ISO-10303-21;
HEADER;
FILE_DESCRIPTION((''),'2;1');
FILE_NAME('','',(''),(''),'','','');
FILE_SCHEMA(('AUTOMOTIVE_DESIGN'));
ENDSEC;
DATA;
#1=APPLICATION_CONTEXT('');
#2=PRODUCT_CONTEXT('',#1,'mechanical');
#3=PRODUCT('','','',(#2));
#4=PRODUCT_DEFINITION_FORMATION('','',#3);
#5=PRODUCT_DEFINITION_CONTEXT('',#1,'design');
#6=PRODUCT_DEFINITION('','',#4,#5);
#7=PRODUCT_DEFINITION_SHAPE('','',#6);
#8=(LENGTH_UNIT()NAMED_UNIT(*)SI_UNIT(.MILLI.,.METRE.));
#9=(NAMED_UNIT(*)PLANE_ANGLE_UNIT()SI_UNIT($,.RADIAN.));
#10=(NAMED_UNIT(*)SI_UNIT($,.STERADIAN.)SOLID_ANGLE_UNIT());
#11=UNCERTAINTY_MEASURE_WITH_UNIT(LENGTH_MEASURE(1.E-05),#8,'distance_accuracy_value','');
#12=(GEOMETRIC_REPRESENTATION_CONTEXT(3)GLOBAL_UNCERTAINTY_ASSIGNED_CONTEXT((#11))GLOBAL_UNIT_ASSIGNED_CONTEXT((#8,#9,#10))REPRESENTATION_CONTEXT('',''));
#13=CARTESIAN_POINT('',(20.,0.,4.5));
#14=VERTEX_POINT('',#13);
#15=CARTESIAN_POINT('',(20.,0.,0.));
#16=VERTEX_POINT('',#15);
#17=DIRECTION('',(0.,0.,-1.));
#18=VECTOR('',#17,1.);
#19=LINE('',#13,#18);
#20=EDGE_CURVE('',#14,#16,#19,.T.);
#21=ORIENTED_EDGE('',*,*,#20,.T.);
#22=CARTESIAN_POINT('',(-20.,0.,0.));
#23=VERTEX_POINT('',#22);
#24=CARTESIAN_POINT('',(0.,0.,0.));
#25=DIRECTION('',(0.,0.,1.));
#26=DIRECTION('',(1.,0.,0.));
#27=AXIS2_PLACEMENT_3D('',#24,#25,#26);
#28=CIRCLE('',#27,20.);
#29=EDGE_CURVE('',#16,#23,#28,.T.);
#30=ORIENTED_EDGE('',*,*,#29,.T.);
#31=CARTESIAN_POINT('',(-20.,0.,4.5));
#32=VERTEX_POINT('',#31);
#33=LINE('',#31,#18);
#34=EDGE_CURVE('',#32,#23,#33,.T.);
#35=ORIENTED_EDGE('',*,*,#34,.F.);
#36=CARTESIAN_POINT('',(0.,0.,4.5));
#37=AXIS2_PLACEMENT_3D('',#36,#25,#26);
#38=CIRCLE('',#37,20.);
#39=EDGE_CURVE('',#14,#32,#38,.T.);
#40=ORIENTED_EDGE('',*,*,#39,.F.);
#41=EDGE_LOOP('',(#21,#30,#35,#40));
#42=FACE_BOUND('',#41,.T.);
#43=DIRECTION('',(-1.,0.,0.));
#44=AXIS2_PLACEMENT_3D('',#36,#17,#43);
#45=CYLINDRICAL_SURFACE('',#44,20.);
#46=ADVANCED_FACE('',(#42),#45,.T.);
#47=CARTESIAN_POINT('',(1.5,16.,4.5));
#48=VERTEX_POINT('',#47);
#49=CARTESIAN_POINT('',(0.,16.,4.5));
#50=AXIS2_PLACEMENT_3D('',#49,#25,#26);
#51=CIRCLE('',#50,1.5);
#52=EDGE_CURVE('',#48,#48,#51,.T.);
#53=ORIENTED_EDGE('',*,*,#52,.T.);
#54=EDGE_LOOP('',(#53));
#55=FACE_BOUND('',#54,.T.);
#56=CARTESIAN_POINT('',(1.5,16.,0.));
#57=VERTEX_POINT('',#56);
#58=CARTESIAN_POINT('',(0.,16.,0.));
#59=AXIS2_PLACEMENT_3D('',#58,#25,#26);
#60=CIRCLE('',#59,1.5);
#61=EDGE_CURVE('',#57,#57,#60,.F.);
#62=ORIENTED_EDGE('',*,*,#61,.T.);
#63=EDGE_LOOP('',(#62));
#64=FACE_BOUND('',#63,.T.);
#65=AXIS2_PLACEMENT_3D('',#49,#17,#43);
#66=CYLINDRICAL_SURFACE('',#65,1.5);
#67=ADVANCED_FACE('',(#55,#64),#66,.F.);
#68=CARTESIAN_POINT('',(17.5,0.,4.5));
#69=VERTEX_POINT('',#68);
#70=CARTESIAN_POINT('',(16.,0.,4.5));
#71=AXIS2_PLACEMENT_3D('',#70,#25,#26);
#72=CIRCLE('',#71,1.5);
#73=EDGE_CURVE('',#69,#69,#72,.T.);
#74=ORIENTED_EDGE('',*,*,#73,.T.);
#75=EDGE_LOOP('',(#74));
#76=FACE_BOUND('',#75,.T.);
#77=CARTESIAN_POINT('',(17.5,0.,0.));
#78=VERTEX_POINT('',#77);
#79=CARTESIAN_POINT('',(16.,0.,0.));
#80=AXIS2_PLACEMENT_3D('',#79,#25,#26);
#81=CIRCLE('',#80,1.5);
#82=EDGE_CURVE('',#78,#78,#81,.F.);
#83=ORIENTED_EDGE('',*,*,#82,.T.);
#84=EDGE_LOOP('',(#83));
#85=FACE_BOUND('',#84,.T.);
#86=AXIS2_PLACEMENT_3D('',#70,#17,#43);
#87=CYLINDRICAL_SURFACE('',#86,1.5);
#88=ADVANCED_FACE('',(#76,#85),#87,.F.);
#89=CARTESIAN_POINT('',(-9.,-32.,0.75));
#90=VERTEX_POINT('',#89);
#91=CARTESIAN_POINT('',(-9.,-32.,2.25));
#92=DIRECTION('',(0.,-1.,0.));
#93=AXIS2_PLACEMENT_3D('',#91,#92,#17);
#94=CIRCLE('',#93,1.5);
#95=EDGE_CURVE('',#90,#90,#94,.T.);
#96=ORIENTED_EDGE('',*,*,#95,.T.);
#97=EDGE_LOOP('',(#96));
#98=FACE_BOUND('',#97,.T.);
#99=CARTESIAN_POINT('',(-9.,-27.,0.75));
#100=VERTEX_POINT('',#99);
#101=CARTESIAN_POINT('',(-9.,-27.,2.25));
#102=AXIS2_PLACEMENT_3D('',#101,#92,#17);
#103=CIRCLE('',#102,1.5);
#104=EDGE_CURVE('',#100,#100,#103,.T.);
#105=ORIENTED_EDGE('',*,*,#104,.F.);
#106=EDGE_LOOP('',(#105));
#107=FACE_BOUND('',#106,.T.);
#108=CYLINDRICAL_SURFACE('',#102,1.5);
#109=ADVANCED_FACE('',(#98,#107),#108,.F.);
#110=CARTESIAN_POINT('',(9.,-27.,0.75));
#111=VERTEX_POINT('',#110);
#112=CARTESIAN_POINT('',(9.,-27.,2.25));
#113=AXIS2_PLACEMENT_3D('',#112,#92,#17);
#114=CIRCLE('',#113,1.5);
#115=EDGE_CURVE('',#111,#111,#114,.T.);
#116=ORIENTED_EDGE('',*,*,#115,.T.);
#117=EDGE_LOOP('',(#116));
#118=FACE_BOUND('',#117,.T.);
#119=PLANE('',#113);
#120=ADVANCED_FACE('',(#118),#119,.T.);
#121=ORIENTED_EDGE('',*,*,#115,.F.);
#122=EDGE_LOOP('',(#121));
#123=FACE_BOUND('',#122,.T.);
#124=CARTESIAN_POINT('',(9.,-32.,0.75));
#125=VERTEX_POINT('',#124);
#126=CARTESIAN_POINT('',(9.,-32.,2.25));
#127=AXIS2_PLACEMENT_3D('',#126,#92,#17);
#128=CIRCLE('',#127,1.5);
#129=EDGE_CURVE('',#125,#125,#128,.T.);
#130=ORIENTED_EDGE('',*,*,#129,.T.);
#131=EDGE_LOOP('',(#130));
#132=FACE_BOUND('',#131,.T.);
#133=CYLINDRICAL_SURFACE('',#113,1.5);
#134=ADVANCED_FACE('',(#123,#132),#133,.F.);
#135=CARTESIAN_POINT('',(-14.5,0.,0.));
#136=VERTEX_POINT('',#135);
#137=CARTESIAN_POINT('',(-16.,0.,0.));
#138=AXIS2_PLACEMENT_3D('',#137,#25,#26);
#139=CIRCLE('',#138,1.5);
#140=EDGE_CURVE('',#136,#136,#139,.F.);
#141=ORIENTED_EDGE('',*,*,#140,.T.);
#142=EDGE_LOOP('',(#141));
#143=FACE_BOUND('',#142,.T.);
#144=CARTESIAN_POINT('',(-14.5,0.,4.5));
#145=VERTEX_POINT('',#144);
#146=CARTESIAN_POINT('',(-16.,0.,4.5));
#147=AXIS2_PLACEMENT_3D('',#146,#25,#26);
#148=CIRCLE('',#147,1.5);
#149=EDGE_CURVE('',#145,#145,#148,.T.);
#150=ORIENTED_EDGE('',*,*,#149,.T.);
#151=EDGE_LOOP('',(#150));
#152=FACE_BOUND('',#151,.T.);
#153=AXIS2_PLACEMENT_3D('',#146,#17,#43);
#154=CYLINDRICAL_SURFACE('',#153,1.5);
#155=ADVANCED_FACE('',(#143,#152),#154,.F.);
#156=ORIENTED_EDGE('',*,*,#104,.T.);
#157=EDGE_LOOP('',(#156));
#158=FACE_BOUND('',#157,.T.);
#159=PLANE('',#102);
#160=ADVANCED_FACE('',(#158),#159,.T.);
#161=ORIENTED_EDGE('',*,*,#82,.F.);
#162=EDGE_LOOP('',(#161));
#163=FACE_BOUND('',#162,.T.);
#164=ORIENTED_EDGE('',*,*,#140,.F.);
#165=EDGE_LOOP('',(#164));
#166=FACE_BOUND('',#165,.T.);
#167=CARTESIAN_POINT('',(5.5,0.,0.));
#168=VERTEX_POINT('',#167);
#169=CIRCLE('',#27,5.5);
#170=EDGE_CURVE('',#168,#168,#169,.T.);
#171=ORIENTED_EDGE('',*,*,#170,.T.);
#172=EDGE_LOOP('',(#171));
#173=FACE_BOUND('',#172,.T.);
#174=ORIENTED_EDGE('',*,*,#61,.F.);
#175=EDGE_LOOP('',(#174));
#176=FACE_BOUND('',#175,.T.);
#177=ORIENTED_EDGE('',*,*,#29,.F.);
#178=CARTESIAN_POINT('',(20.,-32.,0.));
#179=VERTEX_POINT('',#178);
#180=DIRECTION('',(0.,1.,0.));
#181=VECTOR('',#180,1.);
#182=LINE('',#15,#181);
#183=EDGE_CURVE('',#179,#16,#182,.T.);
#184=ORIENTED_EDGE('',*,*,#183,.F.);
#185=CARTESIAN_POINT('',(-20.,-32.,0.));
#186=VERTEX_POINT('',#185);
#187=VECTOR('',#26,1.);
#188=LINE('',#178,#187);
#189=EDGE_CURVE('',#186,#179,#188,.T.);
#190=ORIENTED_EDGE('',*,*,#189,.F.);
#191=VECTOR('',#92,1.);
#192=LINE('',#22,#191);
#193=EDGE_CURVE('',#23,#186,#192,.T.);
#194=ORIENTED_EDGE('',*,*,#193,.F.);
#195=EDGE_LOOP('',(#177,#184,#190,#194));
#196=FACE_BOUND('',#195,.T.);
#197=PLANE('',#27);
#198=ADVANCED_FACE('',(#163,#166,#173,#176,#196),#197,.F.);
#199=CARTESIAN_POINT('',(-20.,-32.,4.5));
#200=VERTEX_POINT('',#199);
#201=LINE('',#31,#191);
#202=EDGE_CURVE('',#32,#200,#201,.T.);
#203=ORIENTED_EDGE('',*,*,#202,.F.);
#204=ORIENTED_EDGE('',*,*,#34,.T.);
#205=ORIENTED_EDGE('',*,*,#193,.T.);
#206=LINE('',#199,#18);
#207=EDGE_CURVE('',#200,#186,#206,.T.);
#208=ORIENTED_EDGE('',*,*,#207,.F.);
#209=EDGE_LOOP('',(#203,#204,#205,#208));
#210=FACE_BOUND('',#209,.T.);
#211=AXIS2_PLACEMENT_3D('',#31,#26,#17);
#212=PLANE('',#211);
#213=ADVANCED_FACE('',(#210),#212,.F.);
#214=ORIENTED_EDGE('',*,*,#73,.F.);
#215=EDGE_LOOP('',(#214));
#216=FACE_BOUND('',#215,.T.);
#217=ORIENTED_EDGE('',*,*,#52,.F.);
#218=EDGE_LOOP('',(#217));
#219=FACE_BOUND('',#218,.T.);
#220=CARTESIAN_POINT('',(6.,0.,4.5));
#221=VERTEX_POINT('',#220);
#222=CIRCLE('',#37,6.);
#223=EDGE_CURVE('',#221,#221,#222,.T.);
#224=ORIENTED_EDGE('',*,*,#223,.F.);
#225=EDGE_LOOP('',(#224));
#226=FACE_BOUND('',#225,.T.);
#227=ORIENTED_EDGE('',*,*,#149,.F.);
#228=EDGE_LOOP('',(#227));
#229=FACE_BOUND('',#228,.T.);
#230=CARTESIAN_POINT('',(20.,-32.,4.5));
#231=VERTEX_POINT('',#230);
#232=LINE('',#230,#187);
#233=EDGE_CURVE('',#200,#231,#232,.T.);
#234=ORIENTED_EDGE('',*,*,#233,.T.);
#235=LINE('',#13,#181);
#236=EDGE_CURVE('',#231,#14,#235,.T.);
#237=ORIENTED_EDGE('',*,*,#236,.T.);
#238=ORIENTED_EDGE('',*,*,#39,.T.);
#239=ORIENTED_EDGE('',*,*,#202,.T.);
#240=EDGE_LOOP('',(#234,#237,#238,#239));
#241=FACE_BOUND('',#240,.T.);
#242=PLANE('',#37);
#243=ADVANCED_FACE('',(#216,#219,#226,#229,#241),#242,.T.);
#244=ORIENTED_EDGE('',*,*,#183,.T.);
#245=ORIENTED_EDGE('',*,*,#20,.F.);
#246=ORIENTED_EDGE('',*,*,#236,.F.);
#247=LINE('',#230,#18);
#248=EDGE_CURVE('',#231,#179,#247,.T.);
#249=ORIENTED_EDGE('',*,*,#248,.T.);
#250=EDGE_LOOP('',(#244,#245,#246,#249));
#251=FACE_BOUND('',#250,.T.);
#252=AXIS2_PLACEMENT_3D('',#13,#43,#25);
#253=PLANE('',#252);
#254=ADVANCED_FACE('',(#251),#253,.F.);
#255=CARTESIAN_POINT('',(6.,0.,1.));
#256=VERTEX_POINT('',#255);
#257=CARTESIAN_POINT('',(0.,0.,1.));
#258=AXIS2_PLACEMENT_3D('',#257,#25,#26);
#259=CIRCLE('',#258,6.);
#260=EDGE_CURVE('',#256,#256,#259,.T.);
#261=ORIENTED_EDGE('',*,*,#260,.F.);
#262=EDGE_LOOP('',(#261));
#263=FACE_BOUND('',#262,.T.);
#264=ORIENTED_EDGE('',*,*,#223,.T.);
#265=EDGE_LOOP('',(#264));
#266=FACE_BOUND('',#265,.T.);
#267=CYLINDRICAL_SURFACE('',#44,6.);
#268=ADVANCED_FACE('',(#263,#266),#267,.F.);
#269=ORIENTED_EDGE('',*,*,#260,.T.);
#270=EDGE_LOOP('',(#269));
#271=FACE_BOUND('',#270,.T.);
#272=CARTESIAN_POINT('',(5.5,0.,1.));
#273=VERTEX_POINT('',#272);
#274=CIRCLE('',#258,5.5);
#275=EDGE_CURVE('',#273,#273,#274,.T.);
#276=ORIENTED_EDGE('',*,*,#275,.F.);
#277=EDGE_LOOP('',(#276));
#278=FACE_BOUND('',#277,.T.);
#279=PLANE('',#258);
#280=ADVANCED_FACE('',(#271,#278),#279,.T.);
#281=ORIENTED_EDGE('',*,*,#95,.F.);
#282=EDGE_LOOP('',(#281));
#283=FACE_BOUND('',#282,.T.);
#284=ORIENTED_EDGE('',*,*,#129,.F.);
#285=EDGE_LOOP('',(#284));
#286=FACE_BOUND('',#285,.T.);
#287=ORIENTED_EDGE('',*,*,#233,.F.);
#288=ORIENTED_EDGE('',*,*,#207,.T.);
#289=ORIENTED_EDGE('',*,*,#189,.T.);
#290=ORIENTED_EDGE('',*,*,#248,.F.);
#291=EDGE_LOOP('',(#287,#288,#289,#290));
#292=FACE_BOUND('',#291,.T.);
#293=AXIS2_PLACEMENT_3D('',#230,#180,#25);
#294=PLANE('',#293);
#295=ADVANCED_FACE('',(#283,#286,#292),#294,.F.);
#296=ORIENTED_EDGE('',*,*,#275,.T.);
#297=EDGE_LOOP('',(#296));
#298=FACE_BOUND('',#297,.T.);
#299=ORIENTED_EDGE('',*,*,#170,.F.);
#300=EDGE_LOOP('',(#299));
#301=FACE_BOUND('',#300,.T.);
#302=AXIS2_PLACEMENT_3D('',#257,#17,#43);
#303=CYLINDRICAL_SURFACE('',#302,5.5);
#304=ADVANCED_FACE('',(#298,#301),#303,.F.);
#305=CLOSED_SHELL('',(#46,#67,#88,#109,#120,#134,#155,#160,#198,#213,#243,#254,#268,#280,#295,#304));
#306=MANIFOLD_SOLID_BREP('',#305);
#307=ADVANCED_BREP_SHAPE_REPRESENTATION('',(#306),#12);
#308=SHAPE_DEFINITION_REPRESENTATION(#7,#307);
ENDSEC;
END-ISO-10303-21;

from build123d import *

# Parameters (mm, degrees)
SKETCH_1_R               = 6
EXTRUDE_1_DEPTH          = 4.5
SKETCH_3_R               = 6
SKETCH_3_R_2             = 5.5
EXTRUDE_2_DEPTH          = 1
CUT_EXTRUDE_3_DEPTH      = 39.003289331
CUT_EXTRUDE_3_DEPTH_BACK = 39.003289331
SKETCH_5_R               = 1.5
SKETCH_6_R               = 1.5
CUT_EXTRUDE_4_DEPTH      = 5


with BuildPart() as part:
    # 草图1 → 凸台-拉伸1 (new body)
    with BuildSketch(Plane.XY):
        with BuildLine():
            Line((-20, 0), (-20, -32))
            Line((-20, -32), (20, -32))
            Line((20, -32), (20, 0))
            ThreePointArc((20, 0), (0, 20), (-20, 0))
        make_face()
        Circle(SKETCH_1_R, mode=Mode.SUBTRACT)
    extrude(amount=EXTRUDE_1_DEPTH)

    # 草图3 → 凸台-拉伸2 (add)
    with BuildSketch(Plane.XY):
        Circle(SKETCH_3_R)
        Circle(SKETCH_3_R_2, mode=Mode.SUBTRACT)
    extrude(amount=EXTRUDE_2_DEPTH)

    # 草图5 → 切除-拉伸3 (cut, two sides: drawn at the far end of the back side and taken through both)
    with BuildSketch(Plane.XY.offset(-CUT_EXTRUDE_3_DEPTH_BACK)):
        with Locations((0, 16)):
            Circle(SKETCH_5_R)
        with Locations((-16, 0)):
            Circle(SKETCH_5_R)
        with Locations((16, 0)):
            Circle(SKETCH_5_R)
    extrude(amount=CUT_EXTRUDE_3_DEPTH + CUT_EXTRUDE_3_DEPTH_BACK, mode=Mode.SUBTRACT)

    # 草图6 → 切除-拉伸4 (cut)
    with BuildSketch(Plane.XZ.offset(32)):
        with Locations(Location((9, 2.25, 0), (0, 0, 270))):
            Circle(SKETCH_6_R)
        with Locations(Location((-9, 2.25, 0), (0, 0, 270))):
            Circle(SKETCH_6_R)
    extrude(amount=-CUT_EXTRUDE_4_DEPTH, mode=Mode.SUBTRACT)


solid = part.part
